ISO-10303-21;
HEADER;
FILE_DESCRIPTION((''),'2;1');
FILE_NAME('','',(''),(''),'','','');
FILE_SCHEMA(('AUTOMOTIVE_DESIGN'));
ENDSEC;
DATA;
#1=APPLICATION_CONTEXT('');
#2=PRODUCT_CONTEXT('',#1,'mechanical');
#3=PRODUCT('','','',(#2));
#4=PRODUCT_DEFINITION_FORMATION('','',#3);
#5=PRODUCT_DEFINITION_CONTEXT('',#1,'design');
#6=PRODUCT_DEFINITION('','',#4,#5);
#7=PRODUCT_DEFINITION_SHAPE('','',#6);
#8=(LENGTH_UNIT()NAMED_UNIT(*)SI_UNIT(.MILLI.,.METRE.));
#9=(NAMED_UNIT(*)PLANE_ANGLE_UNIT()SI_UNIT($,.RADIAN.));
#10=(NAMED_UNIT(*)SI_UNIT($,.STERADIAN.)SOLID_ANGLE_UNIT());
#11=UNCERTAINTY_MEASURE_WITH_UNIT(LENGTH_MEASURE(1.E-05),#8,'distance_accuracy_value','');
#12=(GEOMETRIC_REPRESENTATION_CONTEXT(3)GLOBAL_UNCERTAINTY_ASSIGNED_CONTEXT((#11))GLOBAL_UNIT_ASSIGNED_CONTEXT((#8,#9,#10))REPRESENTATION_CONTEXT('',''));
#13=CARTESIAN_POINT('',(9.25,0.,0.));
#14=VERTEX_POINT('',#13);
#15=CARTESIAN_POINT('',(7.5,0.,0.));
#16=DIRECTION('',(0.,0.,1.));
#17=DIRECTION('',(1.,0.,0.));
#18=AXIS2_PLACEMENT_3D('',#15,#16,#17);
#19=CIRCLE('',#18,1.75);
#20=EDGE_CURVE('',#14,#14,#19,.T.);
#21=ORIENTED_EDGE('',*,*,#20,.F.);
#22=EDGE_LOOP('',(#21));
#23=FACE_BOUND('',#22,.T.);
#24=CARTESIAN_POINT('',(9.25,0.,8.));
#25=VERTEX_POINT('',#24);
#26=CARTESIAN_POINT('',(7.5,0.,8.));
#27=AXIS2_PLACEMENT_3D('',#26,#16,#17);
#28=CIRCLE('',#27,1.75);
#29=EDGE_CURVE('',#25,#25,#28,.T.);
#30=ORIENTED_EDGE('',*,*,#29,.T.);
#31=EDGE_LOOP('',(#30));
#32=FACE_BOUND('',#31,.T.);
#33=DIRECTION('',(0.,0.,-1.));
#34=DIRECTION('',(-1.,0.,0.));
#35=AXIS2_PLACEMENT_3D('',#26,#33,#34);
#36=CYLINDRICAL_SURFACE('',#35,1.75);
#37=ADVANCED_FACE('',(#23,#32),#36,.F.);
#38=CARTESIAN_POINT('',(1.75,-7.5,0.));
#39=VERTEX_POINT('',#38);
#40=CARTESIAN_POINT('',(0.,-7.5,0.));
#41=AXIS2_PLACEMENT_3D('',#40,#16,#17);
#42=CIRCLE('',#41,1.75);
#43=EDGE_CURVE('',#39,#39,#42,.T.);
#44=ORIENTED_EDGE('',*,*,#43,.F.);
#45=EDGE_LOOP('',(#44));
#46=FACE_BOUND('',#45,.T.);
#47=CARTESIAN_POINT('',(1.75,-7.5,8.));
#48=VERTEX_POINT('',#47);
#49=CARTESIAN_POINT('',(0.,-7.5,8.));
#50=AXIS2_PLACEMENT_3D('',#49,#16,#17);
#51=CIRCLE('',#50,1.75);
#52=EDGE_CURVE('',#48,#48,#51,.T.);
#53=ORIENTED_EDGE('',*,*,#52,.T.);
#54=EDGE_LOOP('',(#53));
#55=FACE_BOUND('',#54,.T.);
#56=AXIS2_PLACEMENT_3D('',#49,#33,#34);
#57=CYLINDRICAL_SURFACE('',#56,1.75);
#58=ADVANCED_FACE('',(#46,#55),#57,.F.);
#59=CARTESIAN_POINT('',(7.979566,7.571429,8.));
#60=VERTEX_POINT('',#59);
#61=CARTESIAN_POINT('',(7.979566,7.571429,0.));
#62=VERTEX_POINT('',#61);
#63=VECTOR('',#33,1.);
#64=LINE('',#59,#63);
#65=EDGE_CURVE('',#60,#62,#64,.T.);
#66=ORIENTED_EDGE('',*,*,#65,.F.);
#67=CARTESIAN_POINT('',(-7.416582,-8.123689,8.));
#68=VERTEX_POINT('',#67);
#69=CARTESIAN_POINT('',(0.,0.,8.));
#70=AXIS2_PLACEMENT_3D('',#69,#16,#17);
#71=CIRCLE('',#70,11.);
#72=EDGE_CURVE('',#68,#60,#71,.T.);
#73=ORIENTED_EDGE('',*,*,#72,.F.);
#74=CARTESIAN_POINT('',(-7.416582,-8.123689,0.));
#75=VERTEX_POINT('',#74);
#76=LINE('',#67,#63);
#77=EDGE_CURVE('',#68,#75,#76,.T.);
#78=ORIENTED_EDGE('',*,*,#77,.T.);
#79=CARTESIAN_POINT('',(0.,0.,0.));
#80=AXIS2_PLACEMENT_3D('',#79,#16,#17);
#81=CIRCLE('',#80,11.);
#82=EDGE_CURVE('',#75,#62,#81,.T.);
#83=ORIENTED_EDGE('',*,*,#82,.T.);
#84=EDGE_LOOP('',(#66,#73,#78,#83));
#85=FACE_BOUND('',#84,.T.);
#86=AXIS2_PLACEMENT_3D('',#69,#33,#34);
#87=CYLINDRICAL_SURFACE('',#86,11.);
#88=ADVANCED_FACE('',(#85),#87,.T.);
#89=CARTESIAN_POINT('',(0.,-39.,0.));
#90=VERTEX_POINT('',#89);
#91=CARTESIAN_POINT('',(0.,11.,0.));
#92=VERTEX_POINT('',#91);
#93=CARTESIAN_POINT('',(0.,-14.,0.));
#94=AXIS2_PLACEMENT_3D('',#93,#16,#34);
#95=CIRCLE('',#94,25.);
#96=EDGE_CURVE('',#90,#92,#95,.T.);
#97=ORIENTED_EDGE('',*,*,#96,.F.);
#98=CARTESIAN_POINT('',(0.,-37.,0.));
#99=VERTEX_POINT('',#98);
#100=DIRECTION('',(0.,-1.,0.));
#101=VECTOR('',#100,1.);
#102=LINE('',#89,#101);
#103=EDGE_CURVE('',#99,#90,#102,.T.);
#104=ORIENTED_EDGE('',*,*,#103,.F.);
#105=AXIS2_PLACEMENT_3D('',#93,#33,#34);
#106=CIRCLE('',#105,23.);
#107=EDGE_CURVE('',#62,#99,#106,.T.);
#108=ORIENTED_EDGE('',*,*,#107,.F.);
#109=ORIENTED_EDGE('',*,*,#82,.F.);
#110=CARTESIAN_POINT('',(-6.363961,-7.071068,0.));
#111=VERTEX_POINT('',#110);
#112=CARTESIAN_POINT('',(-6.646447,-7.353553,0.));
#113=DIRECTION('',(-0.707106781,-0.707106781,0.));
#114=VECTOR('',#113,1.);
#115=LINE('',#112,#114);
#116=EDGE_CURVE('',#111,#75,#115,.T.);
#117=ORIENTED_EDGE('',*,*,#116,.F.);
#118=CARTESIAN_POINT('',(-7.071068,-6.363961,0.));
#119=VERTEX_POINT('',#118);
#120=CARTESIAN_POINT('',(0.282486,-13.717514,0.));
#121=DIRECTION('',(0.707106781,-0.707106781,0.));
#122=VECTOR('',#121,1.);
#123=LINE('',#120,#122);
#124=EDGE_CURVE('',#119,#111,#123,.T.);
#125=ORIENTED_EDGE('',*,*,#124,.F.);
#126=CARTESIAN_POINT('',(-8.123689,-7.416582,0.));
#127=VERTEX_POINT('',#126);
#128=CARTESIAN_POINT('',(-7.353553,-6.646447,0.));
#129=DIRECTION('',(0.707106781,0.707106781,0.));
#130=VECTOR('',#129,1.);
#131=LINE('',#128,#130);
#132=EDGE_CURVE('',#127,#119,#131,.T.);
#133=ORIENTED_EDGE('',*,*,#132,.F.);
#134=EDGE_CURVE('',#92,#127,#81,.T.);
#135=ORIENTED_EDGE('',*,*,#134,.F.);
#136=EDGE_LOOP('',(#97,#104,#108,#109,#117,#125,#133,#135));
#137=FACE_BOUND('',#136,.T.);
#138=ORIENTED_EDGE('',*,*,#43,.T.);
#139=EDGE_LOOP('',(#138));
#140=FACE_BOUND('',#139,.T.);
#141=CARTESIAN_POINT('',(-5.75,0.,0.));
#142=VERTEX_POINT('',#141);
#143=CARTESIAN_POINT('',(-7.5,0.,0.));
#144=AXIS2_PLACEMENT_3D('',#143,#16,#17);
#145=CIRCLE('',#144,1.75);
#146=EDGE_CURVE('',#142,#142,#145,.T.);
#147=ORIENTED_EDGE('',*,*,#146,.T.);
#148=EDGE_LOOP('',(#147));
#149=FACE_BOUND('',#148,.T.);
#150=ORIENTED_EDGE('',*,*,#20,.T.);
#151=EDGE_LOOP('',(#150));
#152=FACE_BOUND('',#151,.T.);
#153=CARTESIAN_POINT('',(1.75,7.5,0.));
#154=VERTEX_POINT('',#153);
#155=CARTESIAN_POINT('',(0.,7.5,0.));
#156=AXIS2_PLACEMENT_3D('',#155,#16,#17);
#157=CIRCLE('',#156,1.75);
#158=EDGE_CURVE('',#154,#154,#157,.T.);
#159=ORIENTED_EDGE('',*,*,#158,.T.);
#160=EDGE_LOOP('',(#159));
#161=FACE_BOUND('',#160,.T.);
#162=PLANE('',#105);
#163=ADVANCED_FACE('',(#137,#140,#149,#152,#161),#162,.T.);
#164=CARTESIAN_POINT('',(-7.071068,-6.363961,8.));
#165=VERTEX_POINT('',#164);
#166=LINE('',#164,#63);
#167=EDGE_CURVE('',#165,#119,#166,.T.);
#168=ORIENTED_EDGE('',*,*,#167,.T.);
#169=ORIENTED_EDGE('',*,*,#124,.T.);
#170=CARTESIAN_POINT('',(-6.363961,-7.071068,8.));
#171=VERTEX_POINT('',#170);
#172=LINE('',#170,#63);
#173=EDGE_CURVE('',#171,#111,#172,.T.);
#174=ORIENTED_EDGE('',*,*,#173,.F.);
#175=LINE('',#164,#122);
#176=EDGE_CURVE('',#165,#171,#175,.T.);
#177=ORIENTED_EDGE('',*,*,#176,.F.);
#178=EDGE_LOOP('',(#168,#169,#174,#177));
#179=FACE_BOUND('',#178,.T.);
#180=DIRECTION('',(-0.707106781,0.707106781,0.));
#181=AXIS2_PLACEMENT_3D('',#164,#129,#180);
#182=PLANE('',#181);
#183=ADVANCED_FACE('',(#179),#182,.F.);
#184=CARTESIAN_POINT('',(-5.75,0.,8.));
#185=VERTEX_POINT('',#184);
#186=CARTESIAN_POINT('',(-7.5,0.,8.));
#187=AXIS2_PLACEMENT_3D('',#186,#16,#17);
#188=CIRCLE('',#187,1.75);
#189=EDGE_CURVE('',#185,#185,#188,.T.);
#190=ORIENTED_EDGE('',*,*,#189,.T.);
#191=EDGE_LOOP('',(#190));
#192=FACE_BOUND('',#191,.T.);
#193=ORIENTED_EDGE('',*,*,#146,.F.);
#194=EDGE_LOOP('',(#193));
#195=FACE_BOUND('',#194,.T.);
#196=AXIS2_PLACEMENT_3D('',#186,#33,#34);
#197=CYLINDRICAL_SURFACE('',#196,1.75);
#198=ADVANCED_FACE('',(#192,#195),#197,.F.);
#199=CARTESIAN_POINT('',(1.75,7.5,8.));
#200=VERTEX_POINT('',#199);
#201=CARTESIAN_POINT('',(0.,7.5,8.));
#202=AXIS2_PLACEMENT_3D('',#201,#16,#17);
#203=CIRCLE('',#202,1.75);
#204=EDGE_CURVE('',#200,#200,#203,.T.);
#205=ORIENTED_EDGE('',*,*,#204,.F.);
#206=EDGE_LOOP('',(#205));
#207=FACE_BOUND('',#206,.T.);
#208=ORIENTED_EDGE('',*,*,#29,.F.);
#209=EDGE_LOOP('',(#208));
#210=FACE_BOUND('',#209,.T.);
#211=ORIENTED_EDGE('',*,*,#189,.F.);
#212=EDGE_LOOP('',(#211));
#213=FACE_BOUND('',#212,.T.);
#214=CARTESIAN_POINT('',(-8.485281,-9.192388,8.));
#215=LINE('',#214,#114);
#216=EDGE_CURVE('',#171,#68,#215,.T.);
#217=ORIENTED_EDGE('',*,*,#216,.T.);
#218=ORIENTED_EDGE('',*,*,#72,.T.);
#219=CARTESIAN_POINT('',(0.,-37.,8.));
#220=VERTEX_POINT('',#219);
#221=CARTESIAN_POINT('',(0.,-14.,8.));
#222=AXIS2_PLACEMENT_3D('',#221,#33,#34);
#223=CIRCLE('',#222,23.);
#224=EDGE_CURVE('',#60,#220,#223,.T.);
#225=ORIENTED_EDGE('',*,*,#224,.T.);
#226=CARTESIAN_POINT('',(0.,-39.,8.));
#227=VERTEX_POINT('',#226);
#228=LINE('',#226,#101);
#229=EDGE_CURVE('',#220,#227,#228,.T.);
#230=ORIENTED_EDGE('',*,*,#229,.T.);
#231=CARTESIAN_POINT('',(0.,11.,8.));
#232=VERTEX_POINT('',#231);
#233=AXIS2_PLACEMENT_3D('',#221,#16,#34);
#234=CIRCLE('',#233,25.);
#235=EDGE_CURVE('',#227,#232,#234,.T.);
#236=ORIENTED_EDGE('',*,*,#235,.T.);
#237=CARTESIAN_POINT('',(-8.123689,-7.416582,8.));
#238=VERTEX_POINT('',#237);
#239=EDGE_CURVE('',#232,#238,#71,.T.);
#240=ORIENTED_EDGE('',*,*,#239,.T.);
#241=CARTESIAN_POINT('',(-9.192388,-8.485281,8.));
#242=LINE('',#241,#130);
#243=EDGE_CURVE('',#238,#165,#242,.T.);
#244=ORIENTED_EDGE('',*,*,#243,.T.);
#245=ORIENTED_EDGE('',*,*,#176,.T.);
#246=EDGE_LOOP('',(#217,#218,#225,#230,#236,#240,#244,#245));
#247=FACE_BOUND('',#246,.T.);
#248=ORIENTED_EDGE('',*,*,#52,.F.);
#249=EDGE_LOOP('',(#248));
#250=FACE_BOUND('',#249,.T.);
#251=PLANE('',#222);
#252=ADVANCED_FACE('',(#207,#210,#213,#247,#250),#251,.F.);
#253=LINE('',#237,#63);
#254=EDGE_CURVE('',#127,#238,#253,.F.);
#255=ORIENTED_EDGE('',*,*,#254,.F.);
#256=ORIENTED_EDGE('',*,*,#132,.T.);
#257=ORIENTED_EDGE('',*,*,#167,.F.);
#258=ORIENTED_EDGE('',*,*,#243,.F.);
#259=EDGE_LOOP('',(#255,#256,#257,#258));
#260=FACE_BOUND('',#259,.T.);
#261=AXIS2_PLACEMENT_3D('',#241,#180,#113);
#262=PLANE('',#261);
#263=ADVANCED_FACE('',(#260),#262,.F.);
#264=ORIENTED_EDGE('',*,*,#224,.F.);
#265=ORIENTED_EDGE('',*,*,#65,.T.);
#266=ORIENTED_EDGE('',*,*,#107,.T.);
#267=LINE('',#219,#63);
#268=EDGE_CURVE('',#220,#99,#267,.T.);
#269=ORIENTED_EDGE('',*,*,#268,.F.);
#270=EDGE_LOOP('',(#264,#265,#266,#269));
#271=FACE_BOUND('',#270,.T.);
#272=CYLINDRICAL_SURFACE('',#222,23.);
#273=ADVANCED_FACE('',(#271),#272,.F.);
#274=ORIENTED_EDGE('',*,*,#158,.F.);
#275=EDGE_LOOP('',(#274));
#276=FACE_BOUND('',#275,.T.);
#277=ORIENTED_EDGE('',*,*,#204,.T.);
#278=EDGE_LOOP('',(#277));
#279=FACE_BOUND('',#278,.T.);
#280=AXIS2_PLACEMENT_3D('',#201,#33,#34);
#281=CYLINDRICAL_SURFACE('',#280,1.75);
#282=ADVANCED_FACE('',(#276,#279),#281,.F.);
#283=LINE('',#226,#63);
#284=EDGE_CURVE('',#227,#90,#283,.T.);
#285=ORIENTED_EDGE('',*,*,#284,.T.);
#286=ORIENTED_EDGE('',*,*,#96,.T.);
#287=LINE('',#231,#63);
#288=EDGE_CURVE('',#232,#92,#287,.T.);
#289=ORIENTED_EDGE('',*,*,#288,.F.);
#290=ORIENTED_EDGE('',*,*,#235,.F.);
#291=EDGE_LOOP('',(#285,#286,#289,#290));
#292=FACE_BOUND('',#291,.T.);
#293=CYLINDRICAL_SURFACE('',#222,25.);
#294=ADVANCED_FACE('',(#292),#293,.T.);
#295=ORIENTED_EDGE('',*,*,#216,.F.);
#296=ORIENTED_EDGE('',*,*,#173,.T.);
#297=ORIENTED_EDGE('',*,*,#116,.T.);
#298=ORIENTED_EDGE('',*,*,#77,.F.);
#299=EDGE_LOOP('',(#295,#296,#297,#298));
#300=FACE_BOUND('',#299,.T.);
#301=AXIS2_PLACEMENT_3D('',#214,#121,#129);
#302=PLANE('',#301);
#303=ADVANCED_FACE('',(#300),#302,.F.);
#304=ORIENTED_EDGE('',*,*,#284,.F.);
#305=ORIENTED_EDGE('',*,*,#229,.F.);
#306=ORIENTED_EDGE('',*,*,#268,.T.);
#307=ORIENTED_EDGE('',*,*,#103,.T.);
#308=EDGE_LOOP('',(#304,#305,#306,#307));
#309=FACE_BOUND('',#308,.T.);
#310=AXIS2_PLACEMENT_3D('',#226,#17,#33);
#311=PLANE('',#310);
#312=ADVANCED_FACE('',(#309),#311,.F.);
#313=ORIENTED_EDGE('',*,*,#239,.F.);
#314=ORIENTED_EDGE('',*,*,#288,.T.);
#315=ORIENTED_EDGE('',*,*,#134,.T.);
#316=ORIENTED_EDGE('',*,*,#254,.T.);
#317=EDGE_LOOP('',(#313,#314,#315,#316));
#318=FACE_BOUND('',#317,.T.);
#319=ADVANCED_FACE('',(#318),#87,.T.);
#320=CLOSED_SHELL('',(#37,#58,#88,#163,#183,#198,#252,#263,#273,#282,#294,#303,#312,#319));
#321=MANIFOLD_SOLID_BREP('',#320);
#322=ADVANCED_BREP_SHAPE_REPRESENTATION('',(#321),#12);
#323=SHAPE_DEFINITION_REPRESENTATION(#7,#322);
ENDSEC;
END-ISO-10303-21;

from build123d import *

# Parameters (mm, degrees)
SKETCH1_R               = 1.75
BOSS_EXTRUDE1_DEPTH     = 8
CUT_EXTRUDE1_DEPTH      = 48.010637094
CUT_EXTRUDE1_DEPTH_BACK = 48.010637094


with BuildPart() as part:
    # Sketch1 → Boss-Extrude1 (new body)
    with BuildSketch(Plane.XY):
        with BuildLine():
            Line((0, -39), (0, -37))
            ThreePointArc((0, -37), (22.640040384, -18.053217417), (7.979565739, 7.571428571))
            ThreePointArc((7.979565739, 7.571428571), (10.106574946, -4.342481187), (0, -11))
            ThreePointArc((0, -11), (-11, 0), (0, 11))
            ThreePointArc((0, 11), (25, -14), (0, -39))
        make_face()
        with Locations((0, 7.5)):
            Circle(SKETCH1_R, mode=Mode.SUBTRACT)
        with Locations((-7.5, 0)):
            Circle(SKETCH1_R, mode=Mode.SUBTRACT)
        with Locations((0, -7.5)):
            Circle(SKETCH1_R, mode=Mode.SUBTRACT)
        with Locations((7.5, 0)):
            Circle(SKETCH1_R, mode=Mode.SUBTRACT)
    extrude(amount=BOSS_EXTRUDE1_DEPTH)

    # Sketch2 → Cut-Extrude1 (cut, two sides: drawn at the far end of the back side and taken through both)
    with BuildSketch(Plane(origin=(0, 0, 0), x_dir=(-1, 0, 0), z_dir=(0, 0, -1)).offset(-CUT_EXTRUDE1_DEPTH_BACK)):
        Polygon((9.192388155, -8.485281374), (7.071067812, -6.363961031), (6.363961031, -7.071067812), (8.485281374, -9.192388155), align=None)
    extrude(amount=CUT_EXTRUDE1_DEPTH + CUT_EXTRUDE1_DEPTH_BACK, mode=Mode.SUBTRACT)


solid = part.part
